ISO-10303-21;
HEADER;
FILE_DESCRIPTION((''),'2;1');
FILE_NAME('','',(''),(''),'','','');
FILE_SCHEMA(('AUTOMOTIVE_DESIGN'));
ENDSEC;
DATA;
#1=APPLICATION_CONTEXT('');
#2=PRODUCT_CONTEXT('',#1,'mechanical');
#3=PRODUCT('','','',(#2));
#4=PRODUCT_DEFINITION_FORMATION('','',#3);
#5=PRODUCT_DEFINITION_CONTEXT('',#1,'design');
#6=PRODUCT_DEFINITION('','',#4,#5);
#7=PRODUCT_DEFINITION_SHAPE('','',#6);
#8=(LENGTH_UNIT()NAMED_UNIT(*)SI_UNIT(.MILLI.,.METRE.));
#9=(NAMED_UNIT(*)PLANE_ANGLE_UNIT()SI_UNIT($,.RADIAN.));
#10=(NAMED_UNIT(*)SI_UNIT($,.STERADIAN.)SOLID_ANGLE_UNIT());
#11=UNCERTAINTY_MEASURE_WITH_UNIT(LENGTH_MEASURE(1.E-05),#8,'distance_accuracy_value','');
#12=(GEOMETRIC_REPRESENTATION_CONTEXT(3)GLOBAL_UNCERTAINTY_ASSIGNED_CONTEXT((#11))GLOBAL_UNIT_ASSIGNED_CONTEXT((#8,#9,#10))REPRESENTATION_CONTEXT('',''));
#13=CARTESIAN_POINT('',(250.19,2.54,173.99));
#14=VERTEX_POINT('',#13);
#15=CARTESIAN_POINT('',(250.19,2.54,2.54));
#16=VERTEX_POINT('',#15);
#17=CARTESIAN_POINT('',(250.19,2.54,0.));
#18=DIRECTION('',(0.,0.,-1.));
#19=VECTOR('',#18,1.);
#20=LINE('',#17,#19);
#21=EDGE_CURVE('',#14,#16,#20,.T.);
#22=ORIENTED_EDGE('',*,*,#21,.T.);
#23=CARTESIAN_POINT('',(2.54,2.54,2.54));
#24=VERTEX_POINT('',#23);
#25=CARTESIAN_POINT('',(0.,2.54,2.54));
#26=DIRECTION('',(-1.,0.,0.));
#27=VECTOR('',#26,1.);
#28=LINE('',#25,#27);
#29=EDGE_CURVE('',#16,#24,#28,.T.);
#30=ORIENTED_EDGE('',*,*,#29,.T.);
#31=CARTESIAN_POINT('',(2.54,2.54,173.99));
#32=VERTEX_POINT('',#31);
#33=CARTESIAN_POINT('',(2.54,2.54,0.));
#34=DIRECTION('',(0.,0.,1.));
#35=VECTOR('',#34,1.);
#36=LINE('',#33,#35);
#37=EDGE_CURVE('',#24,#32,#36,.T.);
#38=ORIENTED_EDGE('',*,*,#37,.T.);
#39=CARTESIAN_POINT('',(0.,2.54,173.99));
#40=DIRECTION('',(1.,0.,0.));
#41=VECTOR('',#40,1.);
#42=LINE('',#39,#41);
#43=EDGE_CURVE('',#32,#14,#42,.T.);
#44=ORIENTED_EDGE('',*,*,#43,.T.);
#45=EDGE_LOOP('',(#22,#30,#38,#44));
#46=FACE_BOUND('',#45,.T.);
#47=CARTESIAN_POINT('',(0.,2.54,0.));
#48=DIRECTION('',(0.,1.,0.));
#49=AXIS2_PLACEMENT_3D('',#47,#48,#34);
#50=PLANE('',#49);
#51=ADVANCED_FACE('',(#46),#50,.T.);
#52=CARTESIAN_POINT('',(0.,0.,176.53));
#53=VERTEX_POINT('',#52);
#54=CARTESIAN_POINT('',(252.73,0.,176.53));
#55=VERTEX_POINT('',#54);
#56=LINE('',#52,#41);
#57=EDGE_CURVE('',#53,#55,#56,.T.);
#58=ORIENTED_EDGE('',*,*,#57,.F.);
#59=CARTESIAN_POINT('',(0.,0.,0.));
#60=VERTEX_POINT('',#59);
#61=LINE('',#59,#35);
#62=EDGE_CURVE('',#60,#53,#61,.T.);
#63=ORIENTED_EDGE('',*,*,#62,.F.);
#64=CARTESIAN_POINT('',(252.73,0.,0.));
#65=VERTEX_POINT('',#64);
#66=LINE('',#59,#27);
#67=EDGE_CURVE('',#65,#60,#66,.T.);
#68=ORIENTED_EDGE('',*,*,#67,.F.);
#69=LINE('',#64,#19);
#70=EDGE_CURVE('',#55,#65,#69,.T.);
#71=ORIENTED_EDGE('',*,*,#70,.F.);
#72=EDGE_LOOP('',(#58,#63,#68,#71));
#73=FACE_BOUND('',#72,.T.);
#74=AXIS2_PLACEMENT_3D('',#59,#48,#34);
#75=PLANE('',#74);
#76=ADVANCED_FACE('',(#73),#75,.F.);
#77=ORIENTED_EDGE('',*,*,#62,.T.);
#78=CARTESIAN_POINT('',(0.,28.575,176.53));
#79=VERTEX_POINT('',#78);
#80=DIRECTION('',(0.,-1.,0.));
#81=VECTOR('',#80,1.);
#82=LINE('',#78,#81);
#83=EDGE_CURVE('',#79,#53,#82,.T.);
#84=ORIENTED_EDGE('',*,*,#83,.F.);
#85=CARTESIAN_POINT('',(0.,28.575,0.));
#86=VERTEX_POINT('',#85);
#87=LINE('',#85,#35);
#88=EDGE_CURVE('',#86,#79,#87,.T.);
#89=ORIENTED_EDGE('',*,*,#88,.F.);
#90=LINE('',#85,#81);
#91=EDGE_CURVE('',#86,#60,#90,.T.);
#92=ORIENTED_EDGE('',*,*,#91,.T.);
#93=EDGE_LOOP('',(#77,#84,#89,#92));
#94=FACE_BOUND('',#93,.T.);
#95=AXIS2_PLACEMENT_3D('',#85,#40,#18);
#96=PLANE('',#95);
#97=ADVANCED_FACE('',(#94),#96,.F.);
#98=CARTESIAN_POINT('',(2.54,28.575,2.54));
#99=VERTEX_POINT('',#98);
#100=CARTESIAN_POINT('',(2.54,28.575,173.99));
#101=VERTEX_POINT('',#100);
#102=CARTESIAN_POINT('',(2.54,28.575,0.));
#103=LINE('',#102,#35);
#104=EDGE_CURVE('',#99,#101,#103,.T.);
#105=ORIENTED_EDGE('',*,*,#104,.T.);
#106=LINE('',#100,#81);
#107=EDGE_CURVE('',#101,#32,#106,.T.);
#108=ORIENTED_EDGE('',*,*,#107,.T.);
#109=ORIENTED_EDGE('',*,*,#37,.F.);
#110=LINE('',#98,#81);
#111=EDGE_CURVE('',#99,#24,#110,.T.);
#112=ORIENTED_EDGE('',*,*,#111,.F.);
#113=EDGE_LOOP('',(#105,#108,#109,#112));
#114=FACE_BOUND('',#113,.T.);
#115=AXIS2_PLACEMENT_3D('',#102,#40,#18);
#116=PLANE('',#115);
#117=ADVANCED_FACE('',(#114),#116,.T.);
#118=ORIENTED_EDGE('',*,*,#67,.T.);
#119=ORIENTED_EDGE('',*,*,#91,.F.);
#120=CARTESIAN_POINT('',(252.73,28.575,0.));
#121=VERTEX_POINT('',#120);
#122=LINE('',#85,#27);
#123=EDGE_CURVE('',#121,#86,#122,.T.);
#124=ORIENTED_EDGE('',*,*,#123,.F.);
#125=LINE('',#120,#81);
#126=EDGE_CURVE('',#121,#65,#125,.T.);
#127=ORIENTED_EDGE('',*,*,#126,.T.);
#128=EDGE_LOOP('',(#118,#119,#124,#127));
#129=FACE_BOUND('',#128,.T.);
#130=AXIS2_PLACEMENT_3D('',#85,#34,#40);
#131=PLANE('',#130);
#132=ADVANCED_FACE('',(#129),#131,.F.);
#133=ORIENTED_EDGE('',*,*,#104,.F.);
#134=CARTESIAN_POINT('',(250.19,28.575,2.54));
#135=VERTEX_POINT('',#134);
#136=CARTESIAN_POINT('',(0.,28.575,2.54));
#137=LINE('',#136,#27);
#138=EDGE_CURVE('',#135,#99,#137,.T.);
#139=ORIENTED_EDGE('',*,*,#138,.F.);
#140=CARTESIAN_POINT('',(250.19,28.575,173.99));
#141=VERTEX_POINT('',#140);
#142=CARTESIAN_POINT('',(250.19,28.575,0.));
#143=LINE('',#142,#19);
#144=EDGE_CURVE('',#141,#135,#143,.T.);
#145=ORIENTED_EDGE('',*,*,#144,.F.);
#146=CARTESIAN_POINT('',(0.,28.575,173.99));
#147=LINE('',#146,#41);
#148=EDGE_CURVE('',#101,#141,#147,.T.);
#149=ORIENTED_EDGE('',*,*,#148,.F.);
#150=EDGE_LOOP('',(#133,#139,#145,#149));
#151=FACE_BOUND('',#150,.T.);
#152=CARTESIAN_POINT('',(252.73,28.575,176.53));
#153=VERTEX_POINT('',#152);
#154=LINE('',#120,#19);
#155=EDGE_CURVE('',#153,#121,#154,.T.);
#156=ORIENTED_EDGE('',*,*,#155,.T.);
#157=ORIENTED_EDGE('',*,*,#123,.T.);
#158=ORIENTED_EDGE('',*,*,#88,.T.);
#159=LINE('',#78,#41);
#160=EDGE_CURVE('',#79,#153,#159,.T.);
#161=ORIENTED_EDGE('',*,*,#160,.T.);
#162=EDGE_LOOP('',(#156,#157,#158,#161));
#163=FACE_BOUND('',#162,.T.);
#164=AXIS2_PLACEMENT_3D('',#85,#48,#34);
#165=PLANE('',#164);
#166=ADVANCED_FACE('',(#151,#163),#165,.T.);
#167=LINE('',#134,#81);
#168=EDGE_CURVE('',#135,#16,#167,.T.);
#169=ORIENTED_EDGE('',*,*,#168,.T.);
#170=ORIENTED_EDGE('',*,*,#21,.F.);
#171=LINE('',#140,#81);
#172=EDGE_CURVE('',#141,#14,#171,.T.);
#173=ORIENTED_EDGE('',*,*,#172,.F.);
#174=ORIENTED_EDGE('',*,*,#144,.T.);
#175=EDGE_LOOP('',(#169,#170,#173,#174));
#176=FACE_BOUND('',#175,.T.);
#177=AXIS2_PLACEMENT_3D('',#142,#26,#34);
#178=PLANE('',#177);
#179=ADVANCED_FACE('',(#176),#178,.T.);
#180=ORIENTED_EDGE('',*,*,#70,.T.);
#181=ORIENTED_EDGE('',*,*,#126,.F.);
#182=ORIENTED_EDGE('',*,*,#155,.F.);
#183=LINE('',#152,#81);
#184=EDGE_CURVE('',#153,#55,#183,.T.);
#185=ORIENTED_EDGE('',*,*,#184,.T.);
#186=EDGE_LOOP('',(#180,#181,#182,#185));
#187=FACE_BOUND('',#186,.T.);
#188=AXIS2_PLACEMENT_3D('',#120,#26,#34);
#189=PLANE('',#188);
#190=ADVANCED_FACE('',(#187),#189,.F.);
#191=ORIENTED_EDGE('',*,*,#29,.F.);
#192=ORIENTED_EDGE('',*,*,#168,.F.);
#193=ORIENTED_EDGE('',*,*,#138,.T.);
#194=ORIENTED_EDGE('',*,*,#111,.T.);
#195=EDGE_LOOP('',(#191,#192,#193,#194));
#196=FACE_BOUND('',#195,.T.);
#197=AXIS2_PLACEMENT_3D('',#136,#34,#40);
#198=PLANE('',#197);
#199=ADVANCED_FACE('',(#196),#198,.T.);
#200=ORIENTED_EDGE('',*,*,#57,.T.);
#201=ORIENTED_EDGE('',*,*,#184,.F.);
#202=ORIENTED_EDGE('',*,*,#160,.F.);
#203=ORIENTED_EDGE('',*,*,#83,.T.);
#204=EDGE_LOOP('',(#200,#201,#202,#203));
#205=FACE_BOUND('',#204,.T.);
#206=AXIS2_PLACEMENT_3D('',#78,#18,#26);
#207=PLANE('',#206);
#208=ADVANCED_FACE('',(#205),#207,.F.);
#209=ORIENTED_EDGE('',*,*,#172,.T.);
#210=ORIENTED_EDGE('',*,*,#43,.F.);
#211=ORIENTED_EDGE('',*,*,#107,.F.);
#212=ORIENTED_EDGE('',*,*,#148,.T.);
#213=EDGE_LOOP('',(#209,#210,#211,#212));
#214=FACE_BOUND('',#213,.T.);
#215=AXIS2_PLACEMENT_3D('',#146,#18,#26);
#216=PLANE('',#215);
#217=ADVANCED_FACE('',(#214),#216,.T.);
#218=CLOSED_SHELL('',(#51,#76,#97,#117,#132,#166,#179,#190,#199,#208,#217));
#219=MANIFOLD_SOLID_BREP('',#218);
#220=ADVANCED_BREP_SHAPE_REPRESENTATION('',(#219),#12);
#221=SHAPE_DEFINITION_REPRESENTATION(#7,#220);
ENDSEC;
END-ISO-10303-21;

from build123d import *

# Parameters (mm, degrees)
SKETCH1_W           = 252.73
SKETCH1_H           = 176.53
BOSS_EXTRUDE1_DEPTH = 28.575
SHELL1_T            = -2.54


with BuildPart() as part:
    # Sketch1 → Boss-Extrude1 (new body)
    with BuildSketch(Plane(origin=(0, 0, 0), x_dir=(1, 0, 0), z_dir=(0, 1, 0))):
        with Locations((126.365, -88.265)):
            Rectangle(SKETCH1_W, SKETCH1_H)
    extrude(amount=BOSS_EXTRUDE1_DEPTH)

    # Shell1
    shell1_openings = [part.faces().sort_by_distance(p)[0] for p in [
        (126.365, 28.575, 88.265),
    ]]
    offset(amount=SHELL1_T, openings=shell1_openings, kind=Kind.INTERSECTION)


solid = part.part
